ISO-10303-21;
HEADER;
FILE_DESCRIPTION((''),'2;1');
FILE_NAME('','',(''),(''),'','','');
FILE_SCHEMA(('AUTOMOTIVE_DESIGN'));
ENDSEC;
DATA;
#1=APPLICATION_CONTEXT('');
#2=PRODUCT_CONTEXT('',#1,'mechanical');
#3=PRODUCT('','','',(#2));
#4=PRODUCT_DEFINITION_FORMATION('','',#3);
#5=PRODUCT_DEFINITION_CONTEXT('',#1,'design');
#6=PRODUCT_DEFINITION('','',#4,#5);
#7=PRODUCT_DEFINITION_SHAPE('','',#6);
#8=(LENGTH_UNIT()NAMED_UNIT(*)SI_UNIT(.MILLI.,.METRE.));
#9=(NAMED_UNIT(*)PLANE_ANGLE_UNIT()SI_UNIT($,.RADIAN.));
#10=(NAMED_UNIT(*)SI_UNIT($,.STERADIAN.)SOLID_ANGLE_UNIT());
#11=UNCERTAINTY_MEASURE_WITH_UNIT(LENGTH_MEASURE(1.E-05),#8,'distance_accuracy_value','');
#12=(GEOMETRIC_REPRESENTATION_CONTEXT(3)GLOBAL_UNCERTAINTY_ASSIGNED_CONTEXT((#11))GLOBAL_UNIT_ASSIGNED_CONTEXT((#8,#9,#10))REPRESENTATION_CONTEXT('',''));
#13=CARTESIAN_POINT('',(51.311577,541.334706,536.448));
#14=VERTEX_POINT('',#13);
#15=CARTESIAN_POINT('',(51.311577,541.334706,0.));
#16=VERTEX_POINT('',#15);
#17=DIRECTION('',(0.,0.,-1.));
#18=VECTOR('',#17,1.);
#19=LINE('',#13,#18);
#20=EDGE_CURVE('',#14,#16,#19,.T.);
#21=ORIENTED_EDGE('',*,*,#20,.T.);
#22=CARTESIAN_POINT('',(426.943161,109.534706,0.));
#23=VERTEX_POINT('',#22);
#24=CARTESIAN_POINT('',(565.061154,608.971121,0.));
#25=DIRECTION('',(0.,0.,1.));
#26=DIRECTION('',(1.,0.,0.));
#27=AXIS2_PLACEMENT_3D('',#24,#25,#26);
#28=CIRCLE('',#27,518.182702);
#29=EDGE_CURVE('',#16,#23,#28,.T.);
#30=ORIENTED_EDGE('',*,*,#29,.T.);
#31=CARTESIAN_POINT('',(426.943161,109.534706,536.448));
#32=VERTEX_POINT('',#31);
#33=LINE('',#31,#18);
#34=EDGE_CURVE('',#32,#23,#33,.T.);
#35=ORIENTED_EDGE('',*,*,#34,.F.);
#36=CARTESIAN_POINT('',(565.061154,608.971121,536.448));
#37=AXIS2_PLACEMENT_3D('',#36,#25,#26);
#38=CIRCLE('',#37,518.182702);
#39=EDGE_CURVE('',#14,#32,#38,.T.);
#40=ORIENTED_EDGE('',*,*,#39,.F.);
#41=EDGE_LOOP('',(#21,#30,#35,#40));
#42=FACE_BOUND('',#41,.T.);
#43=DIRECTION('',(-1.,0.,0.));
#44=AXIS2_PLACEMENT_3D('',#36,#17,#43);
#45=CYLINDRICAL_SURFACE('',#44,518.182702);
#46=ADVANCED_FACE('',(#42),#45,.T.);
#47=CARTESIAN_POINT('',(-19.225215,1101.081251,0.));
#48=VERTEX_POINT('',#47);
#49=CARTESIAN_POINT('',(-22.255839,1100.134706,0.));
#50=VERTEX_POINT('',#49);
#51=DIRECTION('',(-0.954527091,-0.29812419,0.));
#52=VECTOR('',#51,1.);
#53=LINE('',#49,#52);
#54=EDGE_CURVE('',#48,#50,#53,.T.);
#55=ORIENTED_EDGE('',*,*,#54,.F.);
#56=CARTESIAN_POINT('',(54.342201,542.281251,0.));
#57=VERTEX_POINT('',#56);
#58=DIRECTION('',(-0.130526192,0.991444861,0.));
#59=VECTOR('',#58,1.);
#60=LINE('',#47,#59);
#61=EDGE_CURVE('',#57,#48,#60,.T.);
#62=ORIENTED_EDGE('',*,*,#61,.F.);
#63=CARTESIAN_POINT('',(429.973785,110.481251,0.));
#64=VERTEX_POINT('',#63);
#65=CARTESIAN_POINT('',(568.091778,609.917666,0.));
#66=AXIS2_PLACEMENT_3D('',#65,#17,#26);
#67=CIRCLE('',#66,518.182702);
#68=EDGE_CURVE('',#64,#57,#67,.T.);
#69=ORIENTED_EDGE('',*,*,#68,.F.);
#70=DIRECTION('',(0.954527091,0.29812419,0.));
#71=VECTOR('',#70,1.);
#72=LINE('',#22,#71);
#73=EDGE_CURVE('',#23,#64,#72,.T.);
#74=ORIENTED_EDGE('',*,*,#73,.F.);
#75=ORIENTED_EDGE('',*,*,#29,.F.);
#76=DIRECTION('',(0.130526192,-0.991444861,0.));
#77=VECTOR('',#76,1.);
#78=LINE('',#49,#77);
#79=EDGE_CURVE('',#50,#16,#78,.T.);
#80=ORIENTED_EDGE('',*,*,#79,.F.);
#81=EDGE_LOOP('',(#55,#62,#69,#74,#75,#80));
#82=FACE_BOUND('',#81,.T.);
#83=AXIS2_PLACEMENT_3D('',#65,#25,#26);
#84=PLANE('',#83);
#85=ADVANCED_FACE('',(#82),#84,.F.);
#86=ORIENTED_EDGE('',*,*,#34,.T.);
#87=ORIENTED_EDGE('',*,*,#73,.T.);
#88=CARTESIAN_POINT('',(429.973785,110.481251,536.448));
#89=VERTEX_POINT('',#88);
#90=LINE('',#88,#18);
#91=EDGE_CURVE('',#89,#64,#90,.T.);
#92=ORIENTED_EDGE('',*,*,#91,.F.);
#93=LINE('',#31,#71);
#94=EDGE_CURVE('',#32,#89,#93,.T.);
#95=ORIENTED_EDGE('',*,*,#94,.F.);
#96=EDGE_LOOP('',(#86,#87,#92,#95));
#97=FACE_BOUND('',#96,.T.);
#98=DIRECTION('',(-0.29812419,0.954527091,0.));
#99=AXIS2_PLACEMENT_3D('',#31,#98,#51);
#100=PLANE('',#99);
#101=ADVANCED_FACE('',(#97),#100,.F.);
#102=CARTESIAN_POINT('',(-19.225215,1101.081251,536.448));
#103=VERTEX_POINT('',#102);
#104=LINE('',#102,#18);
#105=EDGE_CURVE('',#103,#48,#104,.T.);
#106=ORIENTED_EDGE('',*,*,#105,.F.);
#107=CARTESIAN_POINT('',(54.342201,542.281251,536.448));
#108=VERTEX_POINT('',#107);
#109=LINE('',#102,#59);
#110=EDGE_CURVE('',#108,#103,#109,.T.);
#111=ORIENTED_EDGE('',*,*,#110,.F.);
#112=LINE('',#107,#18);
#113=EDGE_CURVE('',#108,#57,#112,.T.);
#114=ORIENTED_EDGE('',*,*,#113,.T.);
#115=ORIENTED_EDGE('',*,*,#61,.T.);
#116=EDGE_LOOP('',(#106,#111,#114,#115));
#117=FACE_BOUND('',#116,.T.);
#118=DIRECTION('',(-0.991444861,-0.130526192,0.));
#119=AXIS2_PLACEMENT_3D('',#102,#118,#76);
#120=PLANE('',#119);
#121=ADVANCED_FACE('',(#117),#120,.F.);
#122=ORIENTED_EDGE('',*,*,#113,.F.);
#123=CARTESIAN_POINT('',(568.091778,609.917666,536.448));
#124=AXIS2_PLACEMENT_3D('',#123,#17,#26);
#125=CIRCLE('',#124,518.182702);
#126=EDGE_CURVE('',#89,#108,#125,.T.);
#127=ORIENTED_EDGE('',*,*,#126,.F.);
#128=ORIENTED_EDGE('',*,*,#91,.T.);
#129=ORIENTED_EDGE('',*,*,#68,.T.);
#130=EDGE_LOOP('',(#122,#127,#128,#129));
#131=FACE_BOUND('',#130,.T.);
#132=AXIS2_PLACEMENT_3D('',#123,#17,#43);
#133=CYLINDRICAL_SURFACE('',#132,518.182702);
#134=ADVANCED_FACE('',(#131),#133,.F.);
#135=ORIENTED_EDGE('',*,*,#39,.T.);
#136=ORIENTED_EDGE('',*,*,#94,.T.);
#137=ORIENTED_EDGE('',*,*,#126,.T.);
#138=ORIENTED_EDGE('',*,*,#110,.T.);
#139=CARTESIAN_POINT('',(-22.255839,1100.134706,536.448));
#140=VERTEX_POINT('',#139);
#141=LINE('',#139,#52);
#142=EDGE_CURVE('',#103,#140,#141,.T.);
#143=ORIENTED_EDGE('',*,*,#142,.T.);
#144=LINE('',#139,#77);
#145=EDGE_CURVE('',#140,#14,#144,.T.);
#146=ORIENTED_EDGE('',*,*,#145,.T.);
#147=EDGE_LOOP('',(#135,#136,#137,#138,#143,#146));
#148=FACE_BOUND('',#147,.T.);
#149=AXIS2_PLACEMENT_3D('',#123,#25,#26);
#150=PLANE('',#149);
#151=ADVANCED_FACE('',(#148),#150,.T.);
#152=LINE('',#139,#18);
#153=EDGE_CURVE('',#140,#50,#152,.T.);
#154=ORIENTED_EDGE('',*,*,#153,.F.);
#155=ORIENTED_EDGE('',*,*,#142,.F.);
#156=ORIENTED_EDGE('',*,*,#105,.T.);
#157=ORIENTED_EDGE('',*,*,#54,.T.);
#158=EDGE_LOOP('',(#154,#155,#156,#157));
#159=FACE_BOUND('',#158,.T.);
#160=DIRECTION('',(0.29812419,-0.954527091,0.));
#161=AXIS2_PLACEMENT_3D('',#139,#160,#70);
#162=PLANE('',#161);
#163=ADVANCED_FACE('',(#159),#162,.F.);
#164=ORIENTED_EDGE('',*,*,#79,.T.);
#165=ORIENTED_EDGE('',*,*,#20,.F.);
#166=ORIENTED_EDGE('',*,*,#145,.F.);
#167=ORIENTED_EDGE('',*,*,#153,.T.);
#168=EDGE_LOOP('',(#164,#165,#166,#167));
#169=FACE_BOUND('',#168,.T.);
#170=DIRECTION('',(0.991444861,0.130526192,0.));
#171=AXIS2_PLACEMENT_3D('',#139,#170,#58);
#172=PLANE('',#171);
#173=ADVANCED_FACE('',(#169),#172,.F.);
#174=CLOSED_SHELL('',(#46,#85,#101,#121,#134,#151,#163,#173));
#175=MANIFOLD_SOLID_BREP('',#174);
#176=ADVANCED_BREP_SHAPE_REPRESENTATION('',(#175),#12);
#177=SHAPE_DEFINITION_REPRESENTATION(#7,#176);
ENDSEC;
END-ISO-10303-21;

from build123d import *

# Parameters (mm, degrees)
BOSS_EXTRUDE1_DEPTH = 536.448


with BuildPart() as part:
    # Sketch1 → Boss-Extrude1 (new body)
    with BuildSketch(Plane.XY):
        with BuildLine():
            Line((-22.255838535, 1100.134706491), (51.311577116, 541.334706491))
            ThreePointArc((51.311577116, 541.334706491), (174.106371442, 268.871620715), (426.943161465, 109.534706491))
            Line((426.943161465, 109.534706491), (429.973784979, 110.481250793))
            ThreePointArc((429.973784979, 110.481250793), (177.136994956, 269.818165018), (54.34220063, 542.281250793))
            Line((54.34220063, 542.281250793), (-19.225215021, 1101.081250793))
            Line((-19.225215021, 1101.081250793), (-22.255838535, 1100.134706491))
        make_face()
    extrude(amount=BOSS_EXTRUDE1_DEPTH)


solid = part.part
